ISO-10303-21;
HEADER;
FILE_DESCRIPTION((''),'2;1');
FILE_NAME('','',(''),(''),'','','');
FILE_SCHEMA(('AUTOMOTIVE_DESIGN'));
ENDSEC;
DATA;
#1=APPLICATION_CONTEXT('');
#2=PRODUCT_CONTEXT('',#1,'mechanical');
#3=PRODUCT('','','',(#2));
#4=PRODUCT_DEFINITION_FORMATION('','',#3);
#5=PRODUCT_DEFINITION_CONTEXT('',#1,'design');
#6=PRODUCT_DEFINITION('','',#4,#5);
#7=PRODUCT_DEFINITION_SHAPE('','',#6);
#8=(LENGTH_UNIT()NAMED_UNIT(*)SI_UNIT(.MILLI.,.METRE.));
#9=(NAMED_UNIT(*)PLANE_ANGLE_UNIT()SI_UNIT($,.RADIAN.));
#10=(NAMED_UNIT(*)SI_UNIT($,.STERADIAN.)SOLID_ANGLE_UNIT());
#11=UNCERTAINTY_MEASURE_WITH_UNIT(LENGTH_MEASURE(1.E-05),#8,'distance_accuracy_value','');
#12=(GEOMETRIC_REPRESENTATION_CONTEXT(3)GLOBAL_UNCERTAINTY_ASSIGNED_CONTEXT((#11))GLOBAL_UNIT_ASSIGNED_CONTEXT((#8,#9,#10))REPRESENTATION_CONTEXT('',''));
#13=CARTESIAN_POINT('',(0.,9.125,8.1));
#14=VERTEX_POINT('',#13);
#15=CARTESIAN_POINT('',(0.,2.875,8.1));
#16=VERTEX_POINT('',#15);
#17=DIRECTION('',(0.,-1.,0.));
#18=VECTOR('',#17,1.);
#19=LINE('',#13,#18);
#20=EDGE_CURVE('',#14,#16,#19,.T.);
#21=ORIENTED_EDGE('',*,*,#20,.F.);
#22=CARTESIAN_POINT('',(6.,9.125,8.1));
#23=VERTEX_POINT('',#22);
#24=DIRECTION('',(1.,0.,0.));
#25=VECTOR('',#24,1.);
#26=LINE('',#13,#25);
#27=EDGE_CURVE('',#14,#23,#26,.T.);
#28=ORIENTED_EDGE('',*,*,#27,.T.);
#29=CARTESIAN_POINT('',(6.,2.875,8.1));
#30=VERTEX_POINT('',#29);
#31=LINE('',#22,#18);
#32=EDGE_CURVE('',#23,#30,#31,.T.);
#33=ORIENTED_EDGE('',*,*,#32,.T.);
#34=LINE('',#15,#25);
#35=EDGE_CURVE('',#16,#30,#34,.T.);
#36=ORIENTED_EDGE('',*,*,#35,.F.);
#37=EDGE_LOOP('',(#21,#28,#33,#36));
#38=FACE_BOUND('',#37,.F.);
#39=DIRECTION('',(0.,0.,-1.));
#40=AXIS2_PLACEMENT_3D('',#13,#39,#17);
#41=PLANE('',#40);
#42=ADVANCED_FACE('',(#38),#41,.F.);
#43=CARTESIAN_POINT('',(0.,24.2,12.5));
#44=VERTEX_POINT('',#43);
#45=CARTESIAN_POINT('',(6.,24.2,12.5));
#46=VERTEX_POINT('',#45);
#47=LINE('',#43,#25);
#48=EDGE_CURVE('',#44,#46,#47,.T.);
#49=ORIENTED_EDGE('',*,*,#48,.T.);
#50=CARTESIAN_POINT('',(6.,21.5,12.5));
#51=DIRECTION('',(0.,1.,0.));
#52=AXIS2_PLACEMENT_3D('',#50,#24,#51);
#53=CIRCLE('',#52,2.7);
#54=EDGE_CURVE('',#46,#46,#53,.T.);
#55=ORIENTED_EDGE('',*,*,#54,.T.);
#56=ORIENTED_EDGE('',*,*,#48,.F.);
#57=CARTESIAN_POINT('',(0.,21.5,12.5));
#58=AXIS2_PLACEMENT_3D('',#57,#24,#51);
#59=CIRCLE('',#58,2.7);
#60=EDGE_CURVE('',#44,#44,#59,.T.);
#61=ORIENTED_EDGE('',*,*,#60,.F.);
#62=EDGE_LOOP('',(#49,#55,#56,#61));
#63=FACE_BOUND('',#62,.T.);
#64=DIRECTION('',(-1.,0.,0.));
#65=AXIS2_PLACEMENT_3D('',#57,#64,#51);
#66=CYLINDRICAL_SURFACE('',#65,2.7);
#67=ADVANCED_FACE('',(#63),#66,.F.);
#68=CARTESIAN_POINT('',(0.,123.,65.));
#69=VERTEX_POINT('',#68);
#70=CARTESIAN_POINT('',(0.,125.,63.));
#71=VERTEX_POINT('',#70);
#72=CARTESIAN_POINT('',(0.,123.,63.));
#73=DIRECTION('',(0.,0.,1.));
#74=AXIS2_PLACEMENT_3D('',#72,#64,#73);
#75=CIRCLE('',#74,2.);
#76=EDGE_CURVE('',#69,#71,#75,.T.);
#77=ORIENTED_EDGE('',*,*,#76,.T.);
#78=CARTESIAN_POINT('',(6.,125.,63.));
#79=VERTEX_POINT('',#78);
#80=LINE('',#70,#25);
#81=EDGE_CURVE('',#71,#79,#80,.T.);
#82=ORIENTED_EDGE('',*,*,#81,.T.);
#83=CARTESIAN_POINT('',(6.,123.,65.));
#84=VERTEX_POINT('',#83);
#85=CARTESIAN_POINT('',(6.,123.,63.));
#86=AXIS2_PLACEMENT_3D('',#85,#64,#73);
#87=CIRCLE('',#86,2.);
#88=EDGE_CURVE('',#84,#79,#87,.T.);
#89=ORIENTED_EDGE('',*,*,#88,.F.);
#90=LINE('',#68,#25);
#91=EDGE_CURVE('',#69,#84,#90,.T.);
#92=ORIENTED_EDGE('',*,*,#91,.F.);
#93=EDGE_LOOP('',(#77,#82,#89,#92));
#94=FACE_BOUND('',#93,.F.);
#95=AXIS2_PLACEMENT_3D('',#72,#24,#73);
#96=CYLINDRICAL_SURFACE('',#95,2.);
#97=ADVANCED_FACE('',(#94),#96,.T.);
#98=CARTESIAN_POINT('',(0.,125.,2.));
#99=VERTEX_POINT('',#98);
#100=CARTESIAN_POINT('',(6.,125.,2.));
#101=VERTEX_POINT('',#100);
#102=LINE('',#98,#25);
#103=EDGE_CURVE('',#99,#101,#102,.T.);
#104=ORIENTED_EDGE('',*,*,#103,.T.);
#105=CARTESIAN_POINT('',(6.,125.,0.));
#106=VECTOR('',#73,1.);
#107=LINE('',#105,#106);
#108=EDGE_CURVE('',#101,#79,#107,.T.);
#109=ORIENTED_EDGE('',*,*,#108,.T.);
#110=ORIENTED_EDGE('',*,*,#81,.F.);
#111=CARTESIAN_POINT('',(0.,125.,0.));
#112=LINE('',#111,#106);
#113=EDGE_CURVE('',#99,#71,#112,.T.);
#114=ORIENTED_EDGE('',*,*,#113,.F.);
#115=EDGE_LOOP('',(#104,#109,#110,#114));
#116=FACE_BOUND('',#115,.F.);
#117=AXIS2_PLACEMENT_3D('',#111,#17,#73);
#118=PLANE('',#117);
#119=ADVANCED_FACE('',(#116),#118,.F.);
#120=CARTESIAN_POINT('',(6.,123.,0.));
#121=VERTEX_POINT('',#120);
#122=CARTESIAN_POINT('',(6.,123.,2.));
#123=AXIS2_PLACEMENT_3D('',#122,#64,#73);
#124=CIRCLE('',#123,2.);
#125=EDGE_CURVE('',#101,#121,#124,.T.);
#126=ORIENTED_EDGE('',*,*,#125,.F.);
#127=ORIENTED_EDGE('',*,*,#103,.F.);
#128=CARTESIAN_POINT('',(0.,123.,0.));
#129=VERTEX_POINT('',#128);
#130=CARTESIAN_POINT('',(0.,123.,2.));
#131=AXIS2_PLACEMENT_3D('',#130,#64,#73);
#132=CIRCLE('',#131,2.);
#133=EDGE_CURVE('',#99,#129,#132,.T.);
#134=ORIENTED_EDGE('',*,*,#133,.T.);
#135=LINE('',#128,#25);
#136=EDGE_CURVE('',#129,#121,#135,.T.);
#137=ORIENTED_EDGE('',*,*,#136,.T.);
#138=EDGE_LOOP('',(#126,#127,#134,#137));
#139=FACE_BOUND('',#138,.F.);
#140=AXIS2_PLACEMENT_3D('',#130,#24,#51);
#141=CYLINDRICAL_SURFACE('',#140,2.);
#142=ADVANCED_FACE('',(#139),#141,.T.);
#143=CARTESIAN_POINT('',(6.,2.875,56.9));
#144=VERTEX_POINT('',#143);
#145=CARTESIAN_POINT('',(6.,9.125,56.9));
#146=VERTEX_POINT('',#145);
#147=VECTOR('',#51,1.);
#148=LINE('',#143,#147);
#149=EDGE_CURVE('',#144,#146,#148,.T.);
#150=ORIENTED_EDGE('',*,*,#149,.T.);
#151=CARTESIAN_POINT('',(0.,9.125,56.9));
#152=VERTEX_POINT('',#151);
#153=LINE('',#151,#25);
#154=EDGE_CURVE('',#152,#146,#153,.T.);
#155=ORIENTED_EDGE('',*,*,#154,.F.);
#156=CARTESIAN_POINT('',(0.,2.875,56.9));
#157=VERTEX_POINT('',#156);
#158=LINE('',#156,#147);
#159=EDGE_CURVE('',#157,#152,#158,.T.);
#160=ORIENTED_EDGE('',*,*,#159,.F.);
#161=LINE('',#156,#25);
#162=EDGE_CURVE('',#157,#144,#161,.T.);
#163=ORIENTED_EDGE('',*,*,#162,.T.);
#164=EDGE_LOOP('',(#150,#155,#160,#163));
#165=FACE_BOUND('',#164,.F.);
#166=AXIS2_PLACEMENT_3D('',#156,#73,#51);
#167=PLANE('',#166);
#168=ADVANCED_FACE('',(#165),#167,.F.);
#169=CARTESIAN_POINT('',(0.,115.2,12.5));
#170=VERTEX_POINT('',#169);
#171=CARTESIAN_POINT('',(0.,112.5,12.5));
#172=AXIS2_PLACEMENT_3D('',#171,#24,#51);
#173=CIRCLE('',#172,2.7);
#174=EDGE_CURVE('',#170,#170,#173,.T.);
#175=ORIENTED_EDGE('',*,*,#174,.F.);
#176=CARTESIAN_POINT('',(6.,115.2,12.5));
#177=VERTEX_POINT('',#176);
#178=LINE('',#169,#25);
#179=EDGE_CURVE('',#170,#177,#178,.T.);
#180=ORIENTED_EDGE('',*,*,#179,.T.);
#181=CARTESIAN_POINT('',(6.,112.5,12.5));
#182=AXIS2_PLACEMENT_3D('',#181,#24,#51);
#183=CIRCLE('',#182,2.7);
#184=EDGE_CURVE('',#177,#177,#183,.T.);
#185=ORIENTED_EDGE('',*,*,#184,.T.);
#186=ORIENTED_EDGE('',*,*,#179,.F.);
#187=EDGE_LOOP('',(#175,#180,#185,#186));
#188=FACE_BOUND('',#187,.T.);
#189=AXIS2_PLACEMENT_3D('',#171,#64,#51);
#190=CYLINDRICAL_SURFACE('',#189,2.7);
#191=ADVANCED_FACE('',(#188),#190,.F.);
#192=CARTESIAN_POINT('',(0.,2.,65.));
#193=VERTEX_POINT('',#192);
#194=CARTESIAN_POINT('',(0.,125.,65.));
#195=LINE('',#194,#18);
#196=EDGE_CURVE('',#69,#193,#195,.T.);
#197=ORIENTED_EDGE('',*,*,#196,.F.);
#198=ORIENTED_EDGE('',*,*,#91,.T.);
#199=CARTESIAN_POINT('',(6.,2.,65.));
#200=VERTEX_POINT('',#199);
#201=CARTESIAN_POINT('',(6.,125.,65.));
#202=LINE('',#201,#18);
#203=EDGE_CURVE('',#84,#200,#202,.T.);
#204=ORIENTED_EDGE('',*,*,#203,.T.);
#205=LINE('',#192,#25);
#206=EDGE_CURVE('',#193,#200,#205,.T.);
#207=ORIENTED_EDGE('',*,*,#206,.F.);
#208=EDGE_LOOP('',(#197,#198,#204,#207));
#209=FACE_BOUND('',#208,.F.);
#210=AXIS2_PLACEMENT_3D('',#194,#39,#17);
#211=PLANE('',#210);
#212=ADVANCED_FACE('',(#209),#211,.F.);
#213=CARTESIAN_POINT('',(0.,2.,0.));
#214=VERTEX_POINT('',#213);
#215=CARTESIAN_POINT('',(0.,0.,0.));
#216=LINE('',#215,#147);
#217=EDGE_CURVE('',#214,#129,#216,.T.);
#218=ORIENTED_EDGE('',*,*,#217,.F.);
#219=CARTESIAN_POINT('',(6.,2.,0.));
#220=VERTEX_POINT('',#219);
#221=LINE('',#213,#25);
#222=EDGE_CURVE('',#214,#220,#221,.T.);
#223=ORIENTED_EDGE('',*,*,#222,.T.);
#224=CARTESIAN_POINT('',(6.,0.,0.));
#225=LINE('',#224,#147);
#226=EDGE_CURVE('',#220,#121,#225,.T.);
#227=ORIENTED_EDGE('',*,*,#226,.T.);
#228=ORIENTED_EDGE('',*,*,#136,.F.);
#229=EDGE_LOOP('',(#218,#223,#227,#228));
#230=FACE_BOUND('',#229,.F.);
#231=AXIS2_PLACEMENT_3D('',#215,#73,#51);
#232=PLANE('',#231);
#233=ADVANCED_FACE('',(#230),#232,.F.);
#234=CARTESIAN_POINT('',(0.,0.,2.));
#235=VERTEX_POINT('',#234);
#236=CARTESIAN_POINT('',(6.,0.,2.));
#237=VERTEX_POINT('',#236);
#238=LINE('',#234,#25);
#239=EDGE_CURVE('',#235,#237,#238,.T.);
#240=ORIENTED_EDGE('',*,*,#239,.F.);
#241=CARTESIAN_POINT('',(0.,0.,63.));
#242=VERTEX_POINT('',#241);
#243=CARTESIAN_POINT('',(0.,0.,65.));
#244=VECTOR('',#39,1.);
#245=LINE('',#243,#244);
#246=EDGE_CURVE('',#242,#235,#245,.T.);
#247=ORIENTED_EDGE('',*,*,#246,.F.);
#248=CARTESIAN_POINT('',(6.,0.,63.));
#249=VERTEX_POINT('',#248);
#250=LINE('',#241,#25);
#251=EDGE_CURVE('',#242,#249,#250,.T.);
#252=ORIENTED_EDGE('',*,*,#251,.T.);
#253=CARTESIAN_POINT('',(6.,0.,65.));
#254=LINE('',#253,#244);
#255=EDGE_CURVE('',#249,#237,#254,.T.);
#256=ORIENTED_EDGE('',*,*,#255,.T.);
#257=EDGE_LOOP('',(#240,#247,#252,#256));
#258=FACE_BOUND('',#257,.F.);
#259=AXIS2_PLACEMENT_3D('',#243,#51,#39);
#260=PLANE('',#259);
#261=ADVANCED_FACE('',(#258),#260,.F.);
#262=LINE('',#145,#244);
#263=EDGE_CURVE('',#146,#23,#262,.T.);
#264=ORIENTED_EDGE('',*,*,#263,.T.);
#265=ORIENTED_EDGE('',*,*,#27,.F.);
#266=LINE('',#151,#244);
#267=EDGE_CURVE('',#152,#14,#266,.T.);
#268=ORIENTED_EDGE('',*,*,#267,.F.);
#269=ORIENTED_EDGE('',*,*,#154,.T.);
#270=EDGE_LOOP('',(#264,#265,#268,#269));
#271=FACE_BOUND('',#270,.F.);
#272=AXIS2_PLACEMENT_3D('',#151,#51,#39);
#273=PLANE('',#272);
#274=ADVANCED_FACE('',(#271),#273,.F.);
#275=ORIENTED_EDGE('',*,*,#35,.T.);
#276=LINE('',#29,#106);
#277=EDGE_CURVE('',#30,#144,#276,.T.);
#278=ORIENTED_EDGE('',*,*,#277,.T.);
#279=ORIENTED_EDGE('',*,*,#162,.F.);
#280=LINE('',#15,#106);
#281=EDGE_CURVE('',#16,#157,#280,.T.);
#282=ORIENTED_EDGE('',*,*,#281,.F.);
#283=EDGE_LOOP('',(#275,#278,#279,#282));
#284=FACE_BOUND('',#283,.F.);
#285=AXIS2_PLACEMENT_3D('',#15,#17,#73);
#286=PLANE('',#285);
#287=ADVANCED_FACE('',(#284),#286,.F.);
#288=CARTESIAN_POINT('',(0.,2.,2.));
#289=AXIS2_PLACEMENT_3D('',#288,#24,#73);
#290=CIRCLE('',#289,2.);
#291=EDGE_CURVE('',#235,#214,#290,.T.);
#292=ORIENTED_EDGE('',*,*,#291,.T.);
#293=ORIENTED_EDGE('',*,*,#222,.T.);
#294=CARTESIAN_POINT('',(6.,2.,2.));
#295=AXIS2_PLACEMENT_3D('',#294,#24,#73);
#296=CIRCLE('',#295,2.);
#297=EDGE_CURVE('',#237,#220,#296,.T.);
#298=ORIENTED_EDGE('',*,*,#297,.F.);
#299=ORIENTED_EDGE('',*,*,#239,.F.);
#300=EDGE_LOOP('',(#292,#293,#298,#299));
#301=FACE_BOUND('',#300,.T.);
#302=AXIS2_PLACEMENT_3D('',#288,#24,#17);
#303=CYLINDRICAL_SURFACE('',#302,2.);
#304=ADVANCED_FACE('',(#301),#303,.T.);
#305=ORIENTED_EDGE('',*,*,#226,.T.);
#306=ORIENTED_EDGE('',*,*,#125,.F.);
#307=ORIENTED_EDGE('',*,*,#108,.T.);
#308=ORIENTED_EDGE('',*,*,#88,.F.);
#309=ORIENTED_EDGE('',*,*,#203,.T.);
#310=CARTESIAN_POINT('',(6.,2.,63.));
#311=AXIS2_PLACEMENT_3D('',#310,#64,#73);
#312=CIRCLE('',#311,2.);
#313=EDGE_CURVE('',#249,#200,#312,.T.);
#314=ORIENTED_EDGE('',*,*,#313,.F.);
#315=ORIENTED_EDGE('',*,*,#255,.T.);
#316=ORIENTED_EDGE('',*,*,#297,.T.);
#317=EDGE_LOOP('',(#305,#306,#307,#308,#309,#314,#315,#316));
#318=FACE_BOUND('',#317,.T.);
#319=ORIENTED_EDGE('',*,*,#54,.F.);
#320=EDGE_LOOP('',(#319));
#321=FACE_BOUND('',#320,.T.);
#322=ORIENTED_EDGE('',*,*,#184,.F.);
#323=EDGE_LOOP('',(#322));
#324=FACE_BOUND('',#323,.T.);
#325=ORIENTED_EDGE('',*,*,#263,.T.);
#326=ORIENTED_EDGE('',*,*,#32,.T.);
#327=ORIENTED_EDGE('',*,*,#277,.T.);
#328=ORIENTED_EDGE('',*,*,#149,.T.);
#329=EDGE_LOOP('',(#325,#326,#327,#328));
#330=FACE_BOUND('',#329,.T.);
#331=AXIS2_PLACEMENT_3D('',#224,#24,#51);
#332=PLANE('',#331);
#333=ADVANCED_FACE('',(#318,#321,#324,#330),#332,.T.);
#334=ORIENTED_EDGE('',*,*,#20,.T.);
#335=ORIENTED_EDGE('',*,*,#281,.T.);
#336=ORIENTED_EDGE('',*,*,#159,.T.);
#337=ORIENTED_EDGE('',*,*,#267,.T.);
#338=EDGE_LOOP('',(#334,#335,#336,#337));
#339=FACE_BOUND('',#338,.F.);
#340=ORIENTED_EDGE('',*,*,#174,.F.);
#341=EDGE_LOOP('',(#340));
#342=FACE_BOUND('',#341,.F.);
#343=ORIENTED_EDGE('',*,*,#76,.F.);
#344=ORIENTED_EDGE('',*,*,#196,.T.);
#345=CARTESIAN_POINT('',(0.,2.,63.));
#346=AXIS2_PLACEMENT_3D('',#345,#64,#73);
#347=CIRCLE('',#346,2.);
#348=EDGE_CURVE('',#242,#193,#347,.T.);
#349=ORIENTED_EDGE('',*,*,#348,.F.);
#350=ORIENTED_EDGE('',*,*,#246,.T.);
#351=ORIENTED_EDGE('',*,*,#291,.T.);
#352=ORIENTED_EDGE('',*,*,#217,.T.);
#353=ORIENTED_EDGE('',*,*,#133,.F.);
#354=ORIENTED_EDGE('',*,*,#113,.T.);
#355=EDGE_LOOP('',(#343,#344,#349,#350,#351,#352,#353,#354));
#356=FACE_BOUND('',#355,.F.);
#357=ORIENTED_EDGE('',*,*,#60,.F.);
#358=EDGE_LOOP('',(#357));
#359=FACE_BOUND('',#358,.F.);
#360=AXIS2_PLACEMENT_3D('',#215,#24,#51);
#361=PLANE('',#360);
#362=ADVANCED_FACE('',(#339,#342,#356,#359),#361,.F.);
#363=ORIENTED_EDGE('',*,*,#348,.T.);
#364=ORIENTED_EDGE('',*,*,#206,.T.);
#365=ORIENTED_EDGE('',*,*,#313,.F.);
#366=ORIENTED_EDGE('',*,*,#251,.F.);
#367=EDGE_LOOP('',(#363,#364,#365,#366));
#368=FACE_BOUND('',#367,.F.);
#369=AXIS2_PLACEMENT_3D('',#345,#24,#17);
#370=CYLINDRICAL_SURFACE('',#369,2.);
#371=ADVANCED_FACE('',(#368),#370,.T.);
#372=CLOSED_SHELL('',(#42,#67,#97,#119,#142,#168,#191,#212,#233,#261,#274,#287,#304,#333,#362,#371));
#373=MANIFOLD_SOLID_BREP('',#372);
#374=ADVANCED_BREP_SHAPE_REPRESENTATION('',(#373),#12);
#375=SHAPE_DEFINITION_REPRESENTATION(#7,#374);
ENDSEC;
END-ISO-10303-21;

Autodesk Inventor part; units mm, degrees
ref_plane "YZ Plane" through (0, 0, 0) normal (1, 0, 0) x (0, 1, 0)
ref_plane "XZ Plane" through (0, 0, 0) normal (0, 1, 0) x (-1, 0, 0)
ref_plane "XY Plane" through (0, 0, 0) normal (0, 0, 1) x (1, 0, 0)
sketch "Sketch1" plane through (0, 0, 0) normal (1, 0, 0) x (0, 1, 0)
  line L0 (0, 0) -> (125, 0)
  line L1 (125, 0) -> (125, 65)
  line L2 (125, 65) -> (0, 65)
  line L3 (0, 65) -> (0, 0)
  line L4 (2.875, 56.9) -> (9.125, 56.9)
  line L5 (9.125, 56.9) -> (9.125, 8.1)
  line L6 (9.125, 8.1) -> (2.875, 8.1)
  line L7 (2.875, 8.1) -> (2.875, 56.9)
  circle A0 centre (112.5, 12.5) radius 2.7
  circle A1 centre (21.5, 12.5) radius 2.7
  dimension "d0" = 65
  dimension "d1" = 125
  dimension "d2" = 6.25
  dimension "d3" = 2.875
  dimension "d4" = 8.1
  dimension "d5" = 8.1
  dimension "d6" = 12.5
  dimension "d7" = 21.5
  dimension "d8" = 12.5
  dimension "d9" = 5.4
extrude "Extrusion1" add sketch "Sketch1" along normal blind 6
fillet "Fillet1" radius 2 4 edges at (3, 125, 65) (3, 125, 0) (3, 0, 65) (3, 0, 0)
equation "\"d5\" = d4"
properties part number "FrontLeft"
